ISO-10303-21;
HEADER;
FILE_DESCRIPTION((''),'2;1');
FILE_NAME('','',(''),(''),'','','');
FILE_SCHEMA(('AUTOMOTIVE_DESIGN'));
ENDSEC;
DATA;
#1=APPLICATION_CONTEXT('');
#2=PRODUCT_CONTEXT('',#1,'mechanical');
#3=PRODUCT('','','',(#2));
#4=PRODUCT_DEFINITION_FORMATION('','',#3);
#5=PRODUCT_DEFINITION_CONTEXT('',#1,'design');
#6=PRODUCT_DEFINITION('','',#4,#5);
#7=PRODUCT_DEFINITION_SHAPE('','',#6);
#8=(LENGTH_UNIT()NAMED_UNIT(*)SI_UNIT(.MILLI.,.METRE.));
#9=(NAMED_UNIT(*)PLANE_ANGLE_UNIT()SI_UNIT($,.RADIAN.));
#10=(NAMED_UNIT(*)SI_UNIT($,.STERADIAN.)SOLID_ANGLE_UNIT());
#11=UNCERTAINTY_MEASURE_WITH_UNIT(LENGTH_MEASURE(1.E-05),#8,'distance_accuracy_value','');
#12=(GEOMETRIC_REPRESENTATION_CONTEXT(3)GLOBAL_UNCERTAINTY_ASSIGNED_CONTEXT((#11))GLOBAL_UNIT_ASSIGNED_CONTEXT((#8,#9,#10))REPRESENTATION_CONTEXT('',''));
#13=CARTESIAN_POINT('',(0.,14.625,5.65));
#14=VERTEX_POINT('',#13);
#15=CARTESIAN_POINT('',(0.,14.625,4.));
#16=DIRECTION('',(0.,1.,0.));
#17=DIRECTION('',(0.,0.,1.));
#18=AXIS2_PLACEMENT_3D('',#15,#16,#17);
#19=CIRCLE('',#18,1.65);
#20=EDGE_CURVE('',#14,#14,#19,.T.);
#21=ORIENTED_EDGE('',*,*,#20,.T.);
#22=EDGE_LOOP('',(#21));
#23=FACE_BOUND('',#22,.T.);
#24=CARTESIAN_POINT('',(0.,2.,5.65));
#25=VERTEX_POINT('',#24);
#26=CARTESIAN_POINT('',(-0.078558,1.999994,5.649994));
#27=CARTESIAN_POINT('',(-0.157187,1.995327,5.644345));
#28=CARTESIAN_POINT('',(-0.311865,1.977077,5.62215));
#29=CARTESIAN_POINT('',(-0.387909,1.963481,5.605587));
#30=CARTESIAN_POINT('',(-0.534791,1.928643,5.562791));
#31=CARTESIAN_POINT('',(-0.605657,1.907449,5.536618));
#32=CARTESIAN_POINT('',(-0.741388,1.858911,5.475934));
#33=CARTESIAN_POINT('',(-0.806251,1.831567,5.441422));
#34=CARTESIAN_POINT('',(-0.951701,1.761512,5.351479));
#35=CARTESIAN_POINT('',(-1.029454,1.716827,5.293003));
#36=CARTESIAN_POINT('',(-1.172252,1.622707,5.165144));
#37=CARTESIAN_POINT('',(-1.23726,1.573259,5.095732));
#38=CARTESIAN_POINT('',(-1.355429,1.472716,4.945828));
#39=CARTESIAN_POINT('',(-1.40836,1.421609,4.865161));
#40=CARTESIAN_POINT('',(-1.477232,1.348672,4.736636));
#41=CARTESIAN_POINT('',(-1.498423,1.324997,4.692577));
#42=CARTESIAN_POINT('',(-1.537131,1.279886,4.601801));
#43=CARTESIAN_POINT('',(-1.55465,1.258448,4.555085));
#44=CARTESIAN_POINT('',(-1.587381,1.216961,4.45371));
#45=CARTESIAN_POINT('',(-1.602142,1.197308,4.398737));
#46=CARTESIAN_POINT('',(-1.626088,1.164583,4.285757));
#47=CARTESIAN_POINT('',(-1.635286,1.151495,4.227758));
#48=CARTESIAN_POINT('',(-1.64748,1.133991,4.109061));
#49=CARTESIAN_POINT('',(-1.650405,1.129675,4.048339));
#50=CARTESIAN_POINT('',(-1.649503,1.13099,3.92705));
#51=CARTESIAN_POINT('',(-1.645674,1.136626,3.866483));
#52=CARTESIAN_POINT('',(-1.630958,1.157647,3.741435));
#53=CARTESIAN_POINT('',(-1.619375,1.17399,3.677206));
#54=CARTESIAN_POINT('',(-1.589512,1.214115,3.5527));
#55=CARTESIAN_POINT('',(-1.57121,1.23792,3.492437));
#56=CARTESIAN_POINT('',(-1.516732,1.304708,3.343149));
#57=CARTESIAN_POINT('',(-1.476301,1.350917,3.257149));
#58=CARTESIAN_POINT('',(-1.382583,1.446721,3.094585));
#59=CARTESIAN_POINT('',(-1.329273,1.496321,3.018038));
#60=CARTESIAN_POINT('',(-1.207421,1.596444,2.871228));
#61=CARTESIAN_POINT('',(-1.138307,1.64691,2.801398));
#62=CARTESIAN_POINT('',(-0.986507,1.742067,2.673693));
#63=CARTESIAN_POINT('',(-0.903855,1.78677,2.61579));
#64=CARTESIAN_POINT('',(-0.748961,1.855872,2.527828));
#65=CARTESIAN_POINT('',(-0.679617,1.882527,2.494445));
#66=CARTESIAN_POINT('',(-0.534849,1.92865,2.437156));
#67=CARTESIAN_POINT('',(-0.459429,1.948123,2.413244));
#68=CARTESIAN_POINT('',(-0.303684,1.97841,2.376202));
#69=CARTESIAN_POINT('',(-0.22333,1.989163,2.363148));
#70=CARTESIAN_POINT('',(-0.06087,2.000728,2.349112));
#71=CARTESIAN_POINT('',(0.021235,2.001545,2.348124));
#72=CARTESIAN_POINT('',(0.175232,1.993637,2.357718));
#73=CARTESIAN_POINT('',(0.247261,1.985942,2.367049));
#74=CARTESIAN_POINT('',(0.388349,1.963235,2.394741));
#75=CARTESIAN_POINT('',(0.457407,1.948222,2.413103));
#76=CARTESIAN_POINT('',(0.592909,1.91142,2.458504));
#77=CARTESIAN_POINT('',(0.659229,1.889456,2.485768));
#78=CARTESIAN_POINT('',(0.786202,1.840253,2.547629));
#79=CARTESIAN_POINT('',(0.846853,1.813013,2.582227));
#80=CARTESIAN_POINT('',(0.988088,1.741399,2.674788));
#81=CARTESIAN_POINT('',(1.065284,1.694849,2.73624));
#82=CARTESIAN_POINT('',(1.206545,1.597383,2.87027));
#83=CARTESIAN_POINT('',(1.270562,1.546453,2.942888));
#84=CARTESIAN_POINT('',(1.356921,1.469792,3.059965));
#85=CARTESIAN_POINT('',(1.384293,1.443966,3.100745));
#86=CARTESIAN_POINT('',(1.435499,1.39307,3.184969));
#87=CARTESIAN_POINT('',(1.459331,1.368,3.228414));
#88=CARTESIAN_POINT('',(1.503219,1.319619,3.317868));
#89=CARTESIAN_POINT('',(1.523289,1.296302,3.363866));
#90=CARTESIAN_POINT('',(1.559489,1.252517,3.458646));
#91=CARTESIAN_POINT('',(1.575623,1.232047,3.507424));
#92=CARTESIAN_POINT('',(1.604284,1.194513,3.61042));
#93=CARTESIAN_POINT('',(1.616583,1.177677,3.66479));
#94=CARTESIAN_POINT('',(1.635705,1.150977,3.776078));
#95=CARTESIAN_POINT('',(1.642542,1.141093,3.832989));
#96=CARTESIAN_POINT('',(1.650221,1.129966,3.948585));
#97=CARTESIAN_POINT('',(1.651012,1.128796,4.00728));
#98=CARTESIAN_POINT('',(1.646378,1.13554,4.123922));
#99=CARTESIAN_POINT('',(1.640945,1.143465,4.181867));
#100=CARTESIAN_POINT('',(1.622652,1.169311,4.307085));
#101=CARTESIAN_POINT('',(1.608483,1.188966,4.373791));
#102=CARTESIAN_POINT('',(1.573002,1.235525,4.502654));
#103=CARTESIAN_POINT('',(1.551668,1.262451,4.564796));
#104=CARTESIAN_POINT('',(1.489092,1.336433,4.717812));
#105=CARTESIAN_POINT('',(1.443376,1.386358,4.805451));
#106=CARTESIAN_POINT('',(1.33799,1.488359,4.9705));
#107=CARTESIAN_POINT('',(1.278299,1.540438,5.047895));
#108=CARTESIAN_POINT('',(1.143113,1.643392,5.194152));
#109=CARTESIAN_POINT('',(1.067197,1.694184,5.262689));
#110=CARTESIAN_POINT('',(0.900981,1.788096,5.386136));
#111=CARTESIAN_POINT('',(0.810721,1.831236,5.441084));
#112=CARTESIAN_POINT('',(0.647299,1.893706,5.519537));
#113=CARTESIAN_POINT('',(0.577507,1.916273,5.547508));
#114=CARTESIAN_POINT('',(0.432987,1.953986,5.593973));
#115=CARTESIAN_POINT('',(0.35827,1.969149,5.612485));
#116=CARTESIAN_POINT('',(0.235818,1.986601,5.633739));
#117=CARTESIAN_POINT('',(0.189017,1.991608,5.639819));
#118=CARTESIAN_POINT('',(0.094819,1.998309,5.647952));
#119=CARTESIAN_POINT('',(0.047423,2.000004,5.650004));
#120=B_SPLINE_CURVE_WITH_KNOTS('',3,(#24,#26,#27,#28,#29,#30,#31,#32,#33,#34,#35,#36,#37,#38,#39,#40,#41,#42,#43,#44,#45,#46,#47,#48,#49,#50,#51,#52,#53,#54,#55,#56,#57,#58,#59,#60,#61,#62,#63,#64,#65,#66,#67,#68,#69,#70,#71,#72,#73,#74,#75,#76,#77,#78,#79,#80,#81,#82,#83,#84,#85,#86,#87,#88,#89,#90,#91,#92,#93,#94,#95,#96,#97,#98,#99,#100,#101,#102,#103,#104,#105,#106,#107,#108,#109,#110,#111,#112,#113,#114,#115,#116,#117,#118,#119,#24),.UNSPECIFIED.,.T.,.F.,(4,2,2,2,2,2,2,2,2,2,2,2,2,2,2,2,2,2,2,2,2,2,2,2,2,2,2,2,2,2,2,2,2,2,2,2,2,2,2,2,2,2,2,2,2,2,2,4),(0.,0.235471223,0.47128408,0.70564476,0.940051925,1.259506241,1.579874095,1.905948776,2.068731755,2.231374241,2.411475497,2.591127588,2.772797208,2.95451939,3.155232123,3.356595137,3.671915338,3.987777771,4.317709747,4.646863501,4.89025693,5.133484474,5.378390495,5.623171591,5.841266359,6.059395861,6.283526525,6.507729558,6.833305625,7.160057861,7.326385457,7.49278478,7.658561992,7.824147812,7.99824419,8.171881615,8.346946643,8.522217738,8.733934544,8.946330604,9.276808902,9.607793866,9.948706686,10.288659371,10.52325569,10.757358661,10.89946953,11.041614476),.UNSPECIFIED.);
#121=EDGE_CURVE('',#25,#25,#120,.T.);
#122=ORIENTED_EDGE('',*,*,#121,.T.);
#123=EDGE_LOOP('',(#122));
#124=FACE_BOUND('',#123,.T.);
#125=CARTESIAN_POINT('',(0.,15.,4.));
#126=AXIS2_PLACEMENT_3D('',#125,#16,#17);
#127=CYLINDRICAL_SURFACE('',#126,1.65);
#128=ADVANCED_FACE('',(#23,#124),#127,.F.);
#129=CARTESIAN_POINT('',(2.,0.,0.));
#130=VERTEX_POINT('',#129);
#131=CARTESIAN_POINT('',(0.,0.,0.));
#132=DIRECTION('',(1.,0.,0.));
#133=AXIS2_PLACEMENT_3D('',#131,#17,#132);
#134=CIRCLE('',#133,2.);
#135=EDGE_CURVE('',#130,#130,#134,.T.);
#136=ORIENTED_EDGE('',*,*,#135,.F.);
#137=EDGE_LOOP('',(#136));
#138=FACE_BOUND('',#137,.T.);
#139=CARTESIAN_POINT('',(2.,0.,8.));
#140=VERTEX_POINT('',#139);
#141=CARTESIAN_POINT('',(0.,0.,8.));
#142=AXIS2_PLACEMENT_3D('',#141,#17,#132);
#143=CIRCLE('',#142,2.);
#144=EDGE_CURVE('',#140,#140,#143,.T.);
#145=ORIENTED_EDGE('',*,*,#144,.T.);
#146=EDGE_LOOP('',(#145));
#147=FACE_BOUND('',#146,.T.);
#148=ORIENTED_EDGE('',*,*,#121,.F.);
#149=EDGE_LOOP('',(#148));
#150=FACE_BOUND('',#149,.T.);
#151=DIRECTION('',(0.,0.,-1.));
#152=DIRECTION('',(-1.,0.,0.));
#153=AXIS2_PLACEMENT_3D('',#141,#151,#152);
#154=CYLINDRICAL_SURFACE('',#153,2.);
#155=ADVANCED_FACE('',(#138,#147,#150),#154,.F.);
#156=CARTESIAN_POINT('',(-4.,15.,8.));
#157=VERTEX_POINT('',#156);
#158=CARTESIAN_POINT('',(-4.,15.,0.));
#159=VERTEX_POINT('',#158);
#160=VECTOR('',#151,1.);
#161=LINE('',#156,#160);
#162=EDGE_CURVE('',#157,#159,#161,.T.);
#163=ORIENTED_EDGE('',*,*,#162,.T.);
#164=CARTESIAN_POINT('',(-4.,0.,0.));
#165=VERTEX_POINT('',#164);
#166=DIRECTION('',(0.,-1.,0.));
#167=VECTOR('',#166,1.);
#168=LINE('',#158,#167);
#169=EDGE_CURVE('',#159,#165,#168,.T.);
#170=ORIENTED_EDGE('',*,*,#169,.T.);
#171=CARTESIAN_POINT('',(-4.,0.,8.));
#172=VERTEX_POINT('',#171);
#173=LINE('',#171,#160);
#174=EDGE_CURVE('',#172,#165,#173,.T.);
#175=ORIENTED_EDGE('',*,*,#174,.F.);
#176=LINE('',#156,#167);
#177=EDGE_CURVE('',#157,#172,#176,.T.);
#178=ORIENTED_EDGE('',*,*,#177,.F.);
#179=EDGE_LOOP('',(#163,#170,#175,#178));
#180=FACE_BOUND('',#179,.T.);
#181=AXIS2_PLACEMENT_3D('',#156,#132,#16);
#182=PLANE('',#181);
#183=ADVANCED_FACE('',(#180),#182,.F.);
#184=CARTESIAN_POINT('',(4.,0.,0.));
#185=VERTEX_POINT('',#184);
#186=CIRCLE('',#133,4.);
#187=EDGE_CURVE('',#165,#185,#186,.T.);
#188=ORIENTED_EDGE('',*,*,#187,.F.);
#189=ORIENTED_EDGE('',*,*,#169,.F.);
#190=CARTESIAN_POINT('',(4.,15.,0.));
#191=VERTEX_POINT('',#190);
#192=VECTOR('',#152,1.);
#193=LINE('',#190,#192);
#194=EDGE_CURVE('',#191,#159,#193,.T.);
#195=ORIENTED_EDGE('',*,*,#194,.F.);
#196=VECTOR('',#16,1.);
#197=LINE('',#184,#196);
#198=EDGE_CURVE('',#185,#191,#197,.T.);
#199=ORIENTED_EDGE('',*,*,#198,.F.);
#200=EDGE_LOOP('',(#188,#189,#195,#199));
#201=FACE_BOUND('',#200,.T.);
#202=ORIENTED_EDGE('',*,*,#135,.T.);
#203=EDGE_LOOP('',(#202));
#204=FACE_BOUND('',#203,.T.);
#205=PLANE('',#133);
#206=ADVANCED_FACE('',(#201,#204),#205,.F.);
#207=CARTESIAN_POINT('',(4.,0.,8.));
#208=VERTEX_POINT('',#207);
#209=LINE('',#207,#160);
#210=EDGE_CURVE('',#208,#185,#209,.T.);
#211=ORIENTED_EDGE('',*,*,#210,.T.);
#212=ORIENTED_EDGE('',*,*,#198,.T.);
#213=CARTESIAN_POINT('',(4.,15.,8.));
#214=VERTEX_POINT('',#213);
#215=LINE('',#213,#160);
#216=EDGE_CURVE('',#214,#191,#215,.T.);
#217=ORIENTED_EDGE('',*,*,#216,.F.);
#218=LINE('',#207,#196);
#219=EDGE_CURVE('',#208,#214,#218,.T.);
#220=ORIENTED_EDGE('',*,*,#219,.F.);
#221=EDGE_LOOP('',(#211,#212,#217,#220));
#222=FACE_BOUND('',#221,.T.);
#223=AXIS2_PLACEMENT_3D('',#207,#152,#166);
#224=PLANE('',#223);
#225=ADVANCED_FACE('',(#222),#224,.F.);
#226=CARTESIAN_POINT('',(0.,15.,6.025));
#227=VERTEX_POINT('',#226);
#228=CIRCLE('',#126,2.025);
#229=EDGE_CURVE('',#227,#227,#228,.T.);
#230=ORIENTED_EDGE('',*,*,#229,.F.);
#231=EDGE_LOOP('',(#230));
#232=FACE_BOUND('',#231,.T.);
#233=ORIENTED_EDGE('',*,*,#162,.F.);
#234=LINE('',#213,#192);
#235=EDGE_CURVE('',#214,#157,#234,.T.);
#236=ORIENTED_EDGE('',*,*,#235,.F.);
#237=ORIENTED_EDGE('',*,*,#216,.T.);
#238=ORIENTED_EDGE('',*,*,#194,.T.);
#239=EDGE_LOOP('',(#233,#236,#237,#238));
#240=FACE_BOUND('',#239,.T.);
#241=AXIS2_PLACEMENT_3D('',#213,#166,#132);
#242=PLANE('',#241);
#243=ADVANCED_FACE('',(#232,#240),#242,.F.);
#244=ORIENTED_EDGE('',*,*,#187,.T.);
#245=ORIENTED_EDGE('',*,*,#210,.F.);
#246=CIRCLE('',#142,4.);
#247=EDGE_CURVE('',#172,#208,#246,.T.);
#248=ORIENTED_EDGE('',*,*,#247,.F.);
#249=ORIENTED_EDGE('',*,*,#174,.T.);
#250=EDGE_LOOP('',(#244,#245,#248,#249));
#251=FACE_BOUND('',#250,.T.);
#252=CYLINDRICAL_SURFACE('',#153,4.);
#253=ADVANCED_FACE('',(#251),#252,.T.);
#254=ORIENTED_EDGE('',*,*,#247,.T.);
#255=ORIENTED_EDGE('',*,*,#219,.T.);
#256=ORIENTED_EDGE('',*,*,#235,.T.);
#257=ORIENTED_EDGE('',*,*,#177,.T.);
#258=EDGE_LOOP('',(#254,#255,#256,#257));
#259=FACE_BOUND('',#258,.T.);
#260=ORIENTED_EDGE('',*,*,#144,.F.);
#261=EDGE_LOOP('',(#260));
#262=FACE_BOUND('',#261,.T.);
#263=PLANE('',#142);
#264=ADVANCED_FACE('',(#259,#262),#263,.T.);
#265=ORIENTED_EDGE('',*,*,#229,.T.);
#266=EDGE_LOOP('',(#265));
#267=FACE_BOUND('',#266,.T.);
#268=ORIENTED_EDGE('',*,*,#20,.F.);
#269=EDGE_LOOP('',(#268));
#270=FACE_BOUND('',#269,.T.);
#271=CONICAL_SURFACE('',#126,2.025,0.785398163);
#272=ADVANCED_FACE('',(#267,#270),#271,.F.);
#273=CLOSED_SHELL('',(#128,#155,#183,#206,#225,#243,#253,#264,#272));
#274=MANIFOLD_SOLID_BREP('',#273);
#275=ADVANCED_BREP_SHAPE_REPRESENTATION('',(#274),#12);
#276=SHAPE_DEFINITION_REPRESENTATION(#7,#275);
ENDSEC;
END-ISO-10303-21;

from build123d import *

# Parameters (mm, degrees)
SKETCH_1_R                  = 2
EXTRUDE_1_DEPTH             = 8
HOLE_WIZARD_M41_D           = 3.3
HOLE_WIZARD_M41_DEPTH       = 14.999
HOLE_WIZARD_M41_CSINK_D     = 4.05
HOLE_WIZARD_M41_CSINK_ANGLE = 90
HOLE_WIZARD_M41_TIP         = 0.991420021


with BuildPart() as part:
    # Эскиз1 → Бобышка-Вытянуть1 (new body)
    with BuildSketch(Plane.XY):
        with BuildLine():
            Line((-4, 15), (-4, 0))
            ThreePointArc((-4, 0), (0, -4), (4, 0))
            Line((4, 0), (4, 15))
            Line((4, 15), (-4, 15))
        make_face()
        Circle(SKETCH_1_R, mode=Mode.SUBTRACT)
    extrude(amount=EXTRUDE_1_DEPTH)

    # Отверстие обработанное метчиком M41
    with Locations(Plane(origin=(0, 15, 0), x_dir=(1, 0, 0), z_dir=(0, 1, 0))):
        with Locations((0, -4)):
            CounterSinkHole(HOLE_WIZARD_M41_D / 2, HOLE_WIZARD_M41_CSINK_D / 2, depth=HOLE_WIZARD_M41_DEPTH, counter_sink_angle=HOLE_WIZARD_M41_CSINK_ANGLE)
            with Locations((0, 0, -(HOLE_WIZARD_M41_DEPTH + HOLE_WIZARD_M41_TIP / 2))):  # 118° drill point
                Cone(0, HOLE_WIZARD_M41_D / 2, HOLE_WIZARD_M41_TIP, mode=Mode.SUBTRACT)


solid = part.part
